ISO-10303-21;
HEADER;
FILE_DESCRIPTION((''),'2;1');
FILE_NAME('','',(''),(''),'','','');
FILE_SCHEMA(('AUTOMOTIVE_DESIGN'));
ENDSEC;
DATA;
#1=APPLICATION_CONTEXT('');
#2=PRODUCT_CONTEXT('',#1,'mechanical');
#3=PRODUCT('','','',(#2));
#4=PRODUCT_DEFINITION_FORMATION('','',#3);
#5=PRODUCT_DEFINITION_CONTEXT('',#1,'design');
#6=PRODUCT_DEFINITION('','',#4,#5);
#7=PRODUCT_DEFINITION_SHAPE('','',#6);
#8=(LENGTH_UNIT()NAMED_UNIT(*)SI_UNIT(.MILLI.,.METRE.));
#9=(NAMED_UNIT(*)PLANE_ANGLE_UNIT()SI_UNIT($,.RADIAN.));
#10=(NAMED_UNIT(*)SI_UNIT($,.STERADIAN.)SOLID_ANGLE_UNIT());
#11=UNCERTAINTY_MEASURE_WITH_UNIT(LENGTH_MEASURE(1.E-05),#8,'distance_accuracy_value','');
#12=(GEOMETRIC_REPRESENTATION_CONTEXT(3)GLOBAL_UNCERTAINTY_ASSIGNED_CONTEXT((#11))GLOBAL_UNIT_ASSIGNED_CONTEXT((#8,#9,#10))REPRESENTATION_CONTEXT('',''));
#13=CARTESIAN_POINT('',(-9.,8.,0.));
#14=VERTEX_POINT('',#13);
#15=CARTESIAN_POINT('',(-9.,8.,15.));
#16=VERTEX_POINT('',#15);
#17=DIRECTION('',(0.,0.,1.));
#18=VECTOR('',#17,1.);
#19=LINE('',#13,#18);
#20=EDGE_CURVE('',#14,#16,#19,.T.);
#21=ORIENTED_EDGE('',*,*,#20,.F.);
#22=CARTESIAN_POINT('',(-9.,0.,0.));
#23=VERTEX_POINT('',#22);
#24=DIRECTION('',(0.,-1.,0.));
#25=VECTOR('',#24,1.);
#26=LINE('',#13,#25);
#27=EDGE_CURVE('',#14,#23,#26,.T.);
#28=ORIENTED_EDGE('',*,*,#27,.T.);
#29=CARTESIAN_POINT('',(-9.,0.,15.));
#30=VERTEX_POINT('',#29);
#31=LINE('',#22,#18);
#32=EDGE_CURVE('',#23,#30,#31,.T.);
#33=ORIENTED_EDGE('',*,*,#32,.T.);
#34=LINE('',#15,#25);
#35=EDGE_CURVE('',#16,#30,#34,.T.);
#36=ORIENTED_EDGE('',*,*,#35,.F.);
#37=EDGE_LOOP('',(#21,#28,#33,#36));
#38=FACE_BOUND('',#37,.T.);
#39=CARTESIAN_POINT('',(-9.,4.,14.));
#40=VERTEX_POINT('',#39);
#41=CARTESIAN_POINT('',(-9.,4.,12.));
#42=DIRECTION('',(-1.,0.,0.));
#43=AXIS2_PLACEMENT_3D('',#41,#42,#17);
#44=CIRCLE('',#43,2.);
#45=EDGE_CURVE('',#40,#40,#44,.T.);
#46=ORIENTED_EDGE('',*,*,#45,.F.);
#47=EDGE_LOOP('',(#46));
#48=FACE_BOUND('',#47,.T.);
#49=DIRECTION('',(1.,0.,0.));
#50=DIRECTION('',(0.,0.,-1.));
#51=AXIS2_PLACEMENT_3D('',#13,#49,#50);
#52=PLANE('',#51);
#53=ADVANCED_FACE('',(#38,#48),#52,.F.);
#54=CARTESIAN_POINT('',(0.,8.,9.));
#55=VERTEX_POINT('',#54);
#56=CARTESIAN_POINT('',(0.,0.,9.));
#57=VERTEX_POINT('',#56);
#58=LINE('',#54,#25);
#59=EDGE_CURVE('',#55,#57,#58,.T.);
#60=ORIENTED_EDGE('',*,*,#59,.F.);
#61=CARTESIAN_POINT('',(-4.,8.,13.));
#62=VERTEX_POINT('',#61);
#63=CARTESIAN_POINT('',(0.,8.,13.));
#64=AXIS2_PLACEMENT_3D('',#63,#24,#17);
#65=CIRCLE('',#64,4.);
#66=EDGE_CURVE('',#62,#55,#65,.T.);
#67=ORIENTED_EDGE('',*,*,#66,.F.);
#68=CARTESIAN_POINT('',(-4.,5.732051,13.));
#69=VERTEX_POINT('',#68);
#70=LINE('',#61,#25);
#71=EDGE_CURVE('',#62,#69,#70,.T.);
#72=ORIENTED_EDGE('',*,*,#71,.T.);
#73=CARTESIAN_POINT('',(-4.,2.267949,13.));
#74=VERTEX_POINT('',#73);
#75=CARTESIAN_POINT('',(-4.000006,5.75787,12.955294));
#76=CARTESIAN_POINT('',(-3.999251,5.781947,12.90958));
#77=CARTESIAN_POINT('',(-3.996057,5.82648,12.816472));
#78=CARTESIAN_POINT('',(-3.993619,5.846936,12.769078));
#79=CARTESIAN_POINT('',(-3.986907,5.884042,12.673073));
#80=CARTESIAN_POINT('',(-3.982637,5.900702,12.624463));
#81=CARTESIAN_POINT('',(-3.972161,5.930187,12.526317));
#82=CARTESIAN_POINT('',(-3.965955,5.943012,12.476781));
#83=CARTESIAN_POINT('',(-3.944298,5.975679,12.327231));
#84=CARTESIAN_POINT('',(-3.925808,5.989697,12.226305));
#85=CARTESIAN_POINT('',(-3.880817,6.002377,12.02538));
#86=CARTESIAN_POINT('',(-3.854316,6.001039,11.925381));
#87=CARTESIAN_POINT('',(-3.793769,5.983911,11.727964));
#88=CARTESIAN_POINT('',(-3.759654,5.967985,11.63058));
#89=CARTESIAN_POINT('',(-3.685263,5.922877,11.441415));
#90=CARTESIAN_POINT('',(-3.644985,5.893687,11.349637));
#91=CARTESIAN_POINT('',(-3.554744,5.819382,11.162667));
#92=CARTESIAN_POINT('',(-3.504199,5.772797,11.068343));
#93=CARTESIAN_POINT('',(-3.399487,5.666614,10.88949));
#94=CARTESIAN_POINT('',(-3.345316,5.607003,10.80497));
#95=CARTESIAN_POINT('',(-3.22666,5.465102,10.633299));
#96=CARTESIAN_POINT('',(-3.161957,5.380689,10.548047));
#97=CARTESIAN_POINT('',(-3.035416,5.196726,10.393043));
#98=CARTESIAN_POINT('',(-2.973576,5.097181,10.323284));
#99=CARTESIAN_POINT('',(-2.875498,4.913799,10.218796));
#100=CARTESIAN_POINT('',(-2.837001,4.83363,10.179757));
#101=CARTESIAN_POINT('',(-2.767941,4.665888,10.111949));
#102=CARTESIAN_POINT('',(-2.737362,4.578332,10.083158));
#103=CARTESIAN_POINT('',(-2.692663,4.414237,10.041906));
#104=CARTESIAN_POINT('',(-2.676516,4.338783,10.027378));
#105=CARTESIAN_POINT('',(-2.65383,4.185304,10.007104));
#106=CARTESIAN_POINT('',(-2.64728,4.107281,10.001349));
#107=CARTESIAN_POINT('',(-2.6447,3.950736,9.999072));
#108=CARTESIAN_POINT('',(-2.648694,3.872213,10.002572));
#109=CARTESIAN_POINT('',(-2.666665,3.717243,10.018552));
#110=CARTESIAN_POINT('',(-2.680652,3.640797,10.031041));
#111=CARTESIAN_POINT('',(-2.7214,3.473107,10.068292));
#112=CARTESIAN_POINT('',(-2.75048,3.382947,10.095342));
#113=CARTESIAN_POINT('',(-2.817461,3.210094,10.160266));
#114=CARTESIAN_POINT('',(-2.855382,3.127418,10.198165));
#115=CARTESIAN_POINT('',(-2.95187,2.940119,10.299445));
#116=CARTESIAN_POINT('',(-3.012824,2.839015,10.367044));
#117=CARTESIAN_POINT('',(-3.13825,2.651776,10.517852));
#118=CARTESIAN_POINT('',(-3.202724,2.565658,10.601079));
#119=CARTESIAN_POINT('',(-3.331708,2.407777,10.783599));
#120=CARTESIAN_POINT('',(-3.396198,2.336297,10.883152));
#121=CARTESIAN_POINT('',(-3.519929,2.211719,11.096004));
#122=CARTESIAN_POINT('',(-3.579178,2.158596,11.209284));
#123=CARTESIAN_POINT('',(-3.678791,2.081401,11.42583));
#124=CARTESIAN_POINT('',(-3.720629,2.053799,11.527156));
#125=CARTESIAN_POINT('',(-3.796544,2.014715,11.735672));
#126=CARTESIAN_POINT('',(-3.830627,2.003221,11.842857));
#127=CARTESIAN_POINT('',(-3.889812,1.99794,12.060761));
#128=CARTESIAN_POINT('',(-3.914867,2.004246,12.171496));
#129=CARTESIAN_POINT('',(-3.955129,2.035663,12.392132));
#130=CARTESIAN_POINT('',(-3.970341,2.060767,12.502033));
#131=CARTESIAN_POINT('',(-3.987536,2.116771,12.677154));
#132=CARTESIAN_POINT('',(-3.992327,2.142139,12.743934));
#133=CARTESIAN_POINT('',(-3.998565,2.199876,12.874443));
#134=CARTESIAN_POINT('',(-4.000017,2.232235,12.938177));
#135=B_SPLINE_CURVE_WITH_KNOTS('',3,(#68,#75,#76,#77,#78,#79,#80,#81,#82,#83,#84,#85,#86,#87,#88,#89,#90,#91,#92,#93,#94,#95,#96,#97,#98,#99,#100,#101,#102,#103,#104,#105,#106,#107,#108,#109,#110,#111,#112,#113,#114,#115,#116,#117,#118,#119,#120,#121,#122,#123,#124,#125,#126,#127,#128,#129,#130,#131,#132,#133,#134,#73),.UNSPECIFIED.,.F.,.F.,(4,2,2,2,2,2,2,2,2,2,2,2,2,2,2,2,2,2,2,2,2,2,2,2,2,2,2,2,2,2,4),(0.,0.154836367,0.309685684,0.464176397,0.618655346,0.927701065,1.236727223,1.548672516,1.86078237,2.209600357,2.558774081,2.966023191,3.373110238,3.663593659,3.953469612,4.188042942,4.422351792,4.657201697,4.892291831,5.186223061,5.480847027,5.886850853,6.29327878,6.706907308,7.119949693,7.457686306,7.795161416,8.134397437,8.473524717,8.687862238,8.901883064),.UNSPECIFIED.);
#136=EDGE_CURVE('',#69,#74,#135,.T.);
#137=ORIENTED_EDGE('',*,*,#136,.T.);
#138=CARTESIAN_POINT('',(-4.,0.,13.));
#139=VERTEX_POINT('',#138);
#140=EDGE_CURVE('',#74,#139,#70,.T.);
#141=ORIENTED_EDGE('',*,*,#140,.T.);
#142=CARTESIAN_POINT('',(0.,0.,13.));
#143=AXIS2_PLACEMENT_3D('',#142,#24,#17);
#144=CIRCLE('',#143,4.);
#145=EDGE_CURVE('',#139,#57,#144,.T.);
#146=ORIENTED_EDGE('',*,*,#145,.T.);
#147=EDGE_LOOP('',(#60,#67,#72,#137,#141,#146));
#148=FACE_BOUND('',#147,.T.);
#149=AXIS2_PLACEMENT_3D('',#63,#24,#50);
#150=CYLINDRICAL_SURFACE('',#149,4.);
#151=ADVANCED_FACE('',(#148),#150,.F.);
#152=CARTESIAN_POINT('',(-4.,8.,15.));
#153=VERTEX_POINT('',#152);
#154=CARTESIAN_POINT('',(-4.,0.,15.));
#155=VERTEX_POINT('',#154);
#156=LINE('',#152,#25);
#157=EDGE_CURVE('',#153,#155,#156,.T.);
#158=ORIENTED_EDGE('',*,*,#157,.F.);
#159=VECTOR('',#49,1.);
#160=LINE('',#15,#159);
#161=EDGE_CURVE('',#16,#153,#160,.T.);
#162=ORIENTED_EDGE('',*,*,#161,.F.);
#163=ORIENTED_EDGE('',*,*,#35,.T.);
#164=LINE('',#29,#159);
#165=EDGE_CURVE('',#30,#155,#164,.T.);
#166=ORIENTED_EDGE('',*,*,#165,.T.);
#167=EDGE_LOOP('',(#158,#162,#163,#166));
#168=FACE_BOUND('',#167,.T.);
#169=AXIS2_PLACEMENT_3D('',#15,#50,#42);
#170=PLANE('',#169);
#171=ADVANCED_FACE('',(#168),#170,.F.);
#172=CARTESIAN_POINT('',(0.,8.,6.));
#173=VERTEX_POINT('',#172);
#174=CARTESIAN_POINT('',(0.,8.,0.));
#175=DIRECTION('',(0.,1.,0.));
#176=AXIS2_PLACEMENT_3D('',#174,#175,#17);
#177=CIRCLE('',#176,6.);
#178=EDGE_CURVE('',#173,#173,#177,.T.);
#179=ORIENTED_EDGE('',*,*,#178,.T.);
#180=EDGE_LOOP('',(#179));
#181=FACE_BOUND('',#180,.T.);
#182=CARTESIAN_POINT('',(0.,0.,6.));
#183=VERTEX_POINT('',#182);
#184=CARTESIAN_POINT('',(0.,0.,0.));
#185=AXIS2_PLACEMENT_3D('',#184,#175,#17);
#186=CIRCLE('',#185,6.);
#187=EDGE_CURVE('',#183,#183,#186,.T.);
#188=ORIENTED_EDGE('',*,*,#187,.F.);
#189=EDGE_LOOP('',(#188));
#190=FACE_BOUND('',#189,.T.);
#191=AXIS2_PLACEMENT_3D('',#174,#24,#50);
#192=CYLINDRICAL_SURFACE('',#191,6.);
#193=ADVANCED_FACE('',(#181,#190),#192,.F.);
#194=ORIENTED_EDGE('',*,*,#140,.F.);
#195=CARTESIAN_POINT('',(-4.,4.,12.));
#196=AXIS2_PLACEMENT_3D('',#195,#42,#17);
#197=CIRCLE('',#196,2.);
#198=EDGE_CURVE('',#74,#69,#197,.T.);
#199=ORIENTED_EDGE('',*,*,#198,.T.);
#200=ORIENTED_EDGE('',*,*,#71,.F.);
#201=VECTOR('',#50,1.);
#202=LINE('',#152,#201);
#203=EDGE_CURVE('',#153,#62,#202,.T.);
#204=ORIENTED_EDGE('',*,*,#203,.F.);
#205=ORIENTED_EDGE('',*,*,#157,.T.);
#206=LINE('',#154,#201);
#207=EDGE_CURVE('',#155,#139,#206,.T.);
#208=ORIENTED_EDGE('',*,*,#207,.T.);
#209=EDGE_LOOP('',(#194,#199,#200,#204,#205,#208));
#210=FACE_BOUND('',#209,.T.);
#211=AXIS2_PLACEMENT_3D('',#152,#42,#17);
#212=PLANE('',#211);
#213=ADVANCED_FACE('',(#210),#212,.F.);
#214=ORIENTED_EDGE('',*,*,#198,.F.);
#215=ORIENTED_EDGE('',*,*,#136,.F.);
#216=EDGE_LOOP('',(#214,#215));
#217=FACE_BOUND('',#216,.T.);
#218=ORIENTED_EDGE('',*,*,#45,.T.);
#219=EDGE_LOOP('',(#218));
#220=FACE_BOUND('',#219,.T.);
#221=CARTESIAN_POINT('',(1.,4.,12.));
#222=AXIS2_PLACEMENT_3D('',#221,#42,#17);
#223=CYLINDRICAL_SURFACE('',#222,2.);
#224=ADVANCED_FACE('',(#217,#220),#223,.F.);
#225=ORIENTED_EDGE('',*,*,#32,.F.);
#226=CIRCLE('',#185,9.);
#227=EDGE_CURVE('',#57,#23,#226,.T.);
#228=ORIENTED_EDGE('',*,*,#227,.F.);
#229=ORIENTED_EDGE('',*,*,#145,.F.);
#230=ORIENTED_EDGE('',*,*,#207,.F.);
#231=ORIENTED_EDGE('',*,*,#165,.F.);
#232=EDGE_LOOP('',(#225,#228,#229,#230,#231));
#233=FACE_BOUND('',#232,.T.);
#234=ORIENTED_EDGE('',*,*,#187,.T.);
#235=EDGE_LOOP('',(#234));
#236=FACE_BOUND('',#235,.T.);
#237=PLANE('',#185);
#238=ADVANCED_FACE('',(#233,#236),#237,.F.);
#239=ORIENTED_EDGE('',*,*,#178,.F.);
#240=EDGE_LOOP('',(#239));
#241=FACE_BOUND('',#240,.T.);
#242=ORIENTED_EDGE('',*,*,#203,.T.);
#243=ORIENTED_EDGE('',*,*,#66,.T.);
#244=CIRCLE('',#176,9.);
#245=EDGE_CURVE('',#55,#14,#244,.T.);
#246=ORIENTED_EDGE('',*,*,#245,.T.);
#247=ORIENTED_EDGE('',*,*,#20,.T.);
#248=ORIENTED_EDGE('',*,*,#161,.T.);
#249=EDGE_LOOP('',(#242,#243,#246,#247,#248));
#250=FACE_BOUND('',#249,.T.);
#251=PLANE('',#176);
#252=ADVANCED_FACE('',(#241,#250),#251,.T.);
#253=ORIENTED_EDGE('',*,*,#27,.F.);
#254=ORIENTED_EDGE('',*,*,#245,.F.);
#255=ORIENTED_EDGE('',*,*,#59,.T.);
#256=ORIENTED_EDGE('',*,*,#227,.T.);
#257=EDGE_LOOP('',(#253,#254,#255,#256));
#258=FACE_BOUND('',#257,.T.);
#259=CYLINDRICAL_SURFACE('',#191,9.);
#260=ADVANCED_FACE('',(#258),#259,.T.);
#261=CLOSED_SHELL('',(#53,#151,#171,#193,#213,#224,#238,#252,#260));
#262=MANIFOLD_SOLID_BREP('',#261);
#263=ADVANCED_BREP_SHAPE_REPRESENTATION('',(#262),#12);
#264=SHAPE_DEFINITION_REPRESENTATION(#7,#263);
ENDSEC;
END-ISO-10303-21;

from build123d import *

# Parameters (mm, degrees)
CROQUIS1_R              = 6
SALIENTE_EXTRUIR1_DEPTH = 8
CROQUIS3_R              = 2
CORTAR_EXTRUIR1_DEPTH   = 10


with BuildPart() as part:
    # Croquis1 → Saliente-Extruir1 (new body)
    with BuildSketch(Plane(origin=(0, 0, 0), x_dir=(1, 0, 0), z_dir=(0, 1, 0))):
        with BuildLine():
            Line((-9, 0), (-9, -15))
            Line((-9, -15), (-4, -15))
            Line((-4, -15), (-4, -13))
            ThreePointArc((-4, -13), (-2.828427125, -10.171572875), (0, -9))
            ThreePointArc((0, -9), (6.363961031, 6.363961031), (-9, 0))
        make_face()
        with Locations(Location((0, 0, 0), (0, 0, 270))):
            Circle(CROQUIS1_R, mode=Mode.SUBTRACT)
    extrude(amount=SALIENTE_EXTRUIR1_DEPTH)

    # Croquis3 → Cortar-Extruir1 (cut)
    with BuildSketch(Plane.ZY.offset(9)):
        with Locations((12, 4)):
            Circle(CROQUIS3_R)
    extrude(amount=-CORTAR_EXTRUIR1_DEPTH, mode=Mode.SUBTRACT)


solid = part.part
